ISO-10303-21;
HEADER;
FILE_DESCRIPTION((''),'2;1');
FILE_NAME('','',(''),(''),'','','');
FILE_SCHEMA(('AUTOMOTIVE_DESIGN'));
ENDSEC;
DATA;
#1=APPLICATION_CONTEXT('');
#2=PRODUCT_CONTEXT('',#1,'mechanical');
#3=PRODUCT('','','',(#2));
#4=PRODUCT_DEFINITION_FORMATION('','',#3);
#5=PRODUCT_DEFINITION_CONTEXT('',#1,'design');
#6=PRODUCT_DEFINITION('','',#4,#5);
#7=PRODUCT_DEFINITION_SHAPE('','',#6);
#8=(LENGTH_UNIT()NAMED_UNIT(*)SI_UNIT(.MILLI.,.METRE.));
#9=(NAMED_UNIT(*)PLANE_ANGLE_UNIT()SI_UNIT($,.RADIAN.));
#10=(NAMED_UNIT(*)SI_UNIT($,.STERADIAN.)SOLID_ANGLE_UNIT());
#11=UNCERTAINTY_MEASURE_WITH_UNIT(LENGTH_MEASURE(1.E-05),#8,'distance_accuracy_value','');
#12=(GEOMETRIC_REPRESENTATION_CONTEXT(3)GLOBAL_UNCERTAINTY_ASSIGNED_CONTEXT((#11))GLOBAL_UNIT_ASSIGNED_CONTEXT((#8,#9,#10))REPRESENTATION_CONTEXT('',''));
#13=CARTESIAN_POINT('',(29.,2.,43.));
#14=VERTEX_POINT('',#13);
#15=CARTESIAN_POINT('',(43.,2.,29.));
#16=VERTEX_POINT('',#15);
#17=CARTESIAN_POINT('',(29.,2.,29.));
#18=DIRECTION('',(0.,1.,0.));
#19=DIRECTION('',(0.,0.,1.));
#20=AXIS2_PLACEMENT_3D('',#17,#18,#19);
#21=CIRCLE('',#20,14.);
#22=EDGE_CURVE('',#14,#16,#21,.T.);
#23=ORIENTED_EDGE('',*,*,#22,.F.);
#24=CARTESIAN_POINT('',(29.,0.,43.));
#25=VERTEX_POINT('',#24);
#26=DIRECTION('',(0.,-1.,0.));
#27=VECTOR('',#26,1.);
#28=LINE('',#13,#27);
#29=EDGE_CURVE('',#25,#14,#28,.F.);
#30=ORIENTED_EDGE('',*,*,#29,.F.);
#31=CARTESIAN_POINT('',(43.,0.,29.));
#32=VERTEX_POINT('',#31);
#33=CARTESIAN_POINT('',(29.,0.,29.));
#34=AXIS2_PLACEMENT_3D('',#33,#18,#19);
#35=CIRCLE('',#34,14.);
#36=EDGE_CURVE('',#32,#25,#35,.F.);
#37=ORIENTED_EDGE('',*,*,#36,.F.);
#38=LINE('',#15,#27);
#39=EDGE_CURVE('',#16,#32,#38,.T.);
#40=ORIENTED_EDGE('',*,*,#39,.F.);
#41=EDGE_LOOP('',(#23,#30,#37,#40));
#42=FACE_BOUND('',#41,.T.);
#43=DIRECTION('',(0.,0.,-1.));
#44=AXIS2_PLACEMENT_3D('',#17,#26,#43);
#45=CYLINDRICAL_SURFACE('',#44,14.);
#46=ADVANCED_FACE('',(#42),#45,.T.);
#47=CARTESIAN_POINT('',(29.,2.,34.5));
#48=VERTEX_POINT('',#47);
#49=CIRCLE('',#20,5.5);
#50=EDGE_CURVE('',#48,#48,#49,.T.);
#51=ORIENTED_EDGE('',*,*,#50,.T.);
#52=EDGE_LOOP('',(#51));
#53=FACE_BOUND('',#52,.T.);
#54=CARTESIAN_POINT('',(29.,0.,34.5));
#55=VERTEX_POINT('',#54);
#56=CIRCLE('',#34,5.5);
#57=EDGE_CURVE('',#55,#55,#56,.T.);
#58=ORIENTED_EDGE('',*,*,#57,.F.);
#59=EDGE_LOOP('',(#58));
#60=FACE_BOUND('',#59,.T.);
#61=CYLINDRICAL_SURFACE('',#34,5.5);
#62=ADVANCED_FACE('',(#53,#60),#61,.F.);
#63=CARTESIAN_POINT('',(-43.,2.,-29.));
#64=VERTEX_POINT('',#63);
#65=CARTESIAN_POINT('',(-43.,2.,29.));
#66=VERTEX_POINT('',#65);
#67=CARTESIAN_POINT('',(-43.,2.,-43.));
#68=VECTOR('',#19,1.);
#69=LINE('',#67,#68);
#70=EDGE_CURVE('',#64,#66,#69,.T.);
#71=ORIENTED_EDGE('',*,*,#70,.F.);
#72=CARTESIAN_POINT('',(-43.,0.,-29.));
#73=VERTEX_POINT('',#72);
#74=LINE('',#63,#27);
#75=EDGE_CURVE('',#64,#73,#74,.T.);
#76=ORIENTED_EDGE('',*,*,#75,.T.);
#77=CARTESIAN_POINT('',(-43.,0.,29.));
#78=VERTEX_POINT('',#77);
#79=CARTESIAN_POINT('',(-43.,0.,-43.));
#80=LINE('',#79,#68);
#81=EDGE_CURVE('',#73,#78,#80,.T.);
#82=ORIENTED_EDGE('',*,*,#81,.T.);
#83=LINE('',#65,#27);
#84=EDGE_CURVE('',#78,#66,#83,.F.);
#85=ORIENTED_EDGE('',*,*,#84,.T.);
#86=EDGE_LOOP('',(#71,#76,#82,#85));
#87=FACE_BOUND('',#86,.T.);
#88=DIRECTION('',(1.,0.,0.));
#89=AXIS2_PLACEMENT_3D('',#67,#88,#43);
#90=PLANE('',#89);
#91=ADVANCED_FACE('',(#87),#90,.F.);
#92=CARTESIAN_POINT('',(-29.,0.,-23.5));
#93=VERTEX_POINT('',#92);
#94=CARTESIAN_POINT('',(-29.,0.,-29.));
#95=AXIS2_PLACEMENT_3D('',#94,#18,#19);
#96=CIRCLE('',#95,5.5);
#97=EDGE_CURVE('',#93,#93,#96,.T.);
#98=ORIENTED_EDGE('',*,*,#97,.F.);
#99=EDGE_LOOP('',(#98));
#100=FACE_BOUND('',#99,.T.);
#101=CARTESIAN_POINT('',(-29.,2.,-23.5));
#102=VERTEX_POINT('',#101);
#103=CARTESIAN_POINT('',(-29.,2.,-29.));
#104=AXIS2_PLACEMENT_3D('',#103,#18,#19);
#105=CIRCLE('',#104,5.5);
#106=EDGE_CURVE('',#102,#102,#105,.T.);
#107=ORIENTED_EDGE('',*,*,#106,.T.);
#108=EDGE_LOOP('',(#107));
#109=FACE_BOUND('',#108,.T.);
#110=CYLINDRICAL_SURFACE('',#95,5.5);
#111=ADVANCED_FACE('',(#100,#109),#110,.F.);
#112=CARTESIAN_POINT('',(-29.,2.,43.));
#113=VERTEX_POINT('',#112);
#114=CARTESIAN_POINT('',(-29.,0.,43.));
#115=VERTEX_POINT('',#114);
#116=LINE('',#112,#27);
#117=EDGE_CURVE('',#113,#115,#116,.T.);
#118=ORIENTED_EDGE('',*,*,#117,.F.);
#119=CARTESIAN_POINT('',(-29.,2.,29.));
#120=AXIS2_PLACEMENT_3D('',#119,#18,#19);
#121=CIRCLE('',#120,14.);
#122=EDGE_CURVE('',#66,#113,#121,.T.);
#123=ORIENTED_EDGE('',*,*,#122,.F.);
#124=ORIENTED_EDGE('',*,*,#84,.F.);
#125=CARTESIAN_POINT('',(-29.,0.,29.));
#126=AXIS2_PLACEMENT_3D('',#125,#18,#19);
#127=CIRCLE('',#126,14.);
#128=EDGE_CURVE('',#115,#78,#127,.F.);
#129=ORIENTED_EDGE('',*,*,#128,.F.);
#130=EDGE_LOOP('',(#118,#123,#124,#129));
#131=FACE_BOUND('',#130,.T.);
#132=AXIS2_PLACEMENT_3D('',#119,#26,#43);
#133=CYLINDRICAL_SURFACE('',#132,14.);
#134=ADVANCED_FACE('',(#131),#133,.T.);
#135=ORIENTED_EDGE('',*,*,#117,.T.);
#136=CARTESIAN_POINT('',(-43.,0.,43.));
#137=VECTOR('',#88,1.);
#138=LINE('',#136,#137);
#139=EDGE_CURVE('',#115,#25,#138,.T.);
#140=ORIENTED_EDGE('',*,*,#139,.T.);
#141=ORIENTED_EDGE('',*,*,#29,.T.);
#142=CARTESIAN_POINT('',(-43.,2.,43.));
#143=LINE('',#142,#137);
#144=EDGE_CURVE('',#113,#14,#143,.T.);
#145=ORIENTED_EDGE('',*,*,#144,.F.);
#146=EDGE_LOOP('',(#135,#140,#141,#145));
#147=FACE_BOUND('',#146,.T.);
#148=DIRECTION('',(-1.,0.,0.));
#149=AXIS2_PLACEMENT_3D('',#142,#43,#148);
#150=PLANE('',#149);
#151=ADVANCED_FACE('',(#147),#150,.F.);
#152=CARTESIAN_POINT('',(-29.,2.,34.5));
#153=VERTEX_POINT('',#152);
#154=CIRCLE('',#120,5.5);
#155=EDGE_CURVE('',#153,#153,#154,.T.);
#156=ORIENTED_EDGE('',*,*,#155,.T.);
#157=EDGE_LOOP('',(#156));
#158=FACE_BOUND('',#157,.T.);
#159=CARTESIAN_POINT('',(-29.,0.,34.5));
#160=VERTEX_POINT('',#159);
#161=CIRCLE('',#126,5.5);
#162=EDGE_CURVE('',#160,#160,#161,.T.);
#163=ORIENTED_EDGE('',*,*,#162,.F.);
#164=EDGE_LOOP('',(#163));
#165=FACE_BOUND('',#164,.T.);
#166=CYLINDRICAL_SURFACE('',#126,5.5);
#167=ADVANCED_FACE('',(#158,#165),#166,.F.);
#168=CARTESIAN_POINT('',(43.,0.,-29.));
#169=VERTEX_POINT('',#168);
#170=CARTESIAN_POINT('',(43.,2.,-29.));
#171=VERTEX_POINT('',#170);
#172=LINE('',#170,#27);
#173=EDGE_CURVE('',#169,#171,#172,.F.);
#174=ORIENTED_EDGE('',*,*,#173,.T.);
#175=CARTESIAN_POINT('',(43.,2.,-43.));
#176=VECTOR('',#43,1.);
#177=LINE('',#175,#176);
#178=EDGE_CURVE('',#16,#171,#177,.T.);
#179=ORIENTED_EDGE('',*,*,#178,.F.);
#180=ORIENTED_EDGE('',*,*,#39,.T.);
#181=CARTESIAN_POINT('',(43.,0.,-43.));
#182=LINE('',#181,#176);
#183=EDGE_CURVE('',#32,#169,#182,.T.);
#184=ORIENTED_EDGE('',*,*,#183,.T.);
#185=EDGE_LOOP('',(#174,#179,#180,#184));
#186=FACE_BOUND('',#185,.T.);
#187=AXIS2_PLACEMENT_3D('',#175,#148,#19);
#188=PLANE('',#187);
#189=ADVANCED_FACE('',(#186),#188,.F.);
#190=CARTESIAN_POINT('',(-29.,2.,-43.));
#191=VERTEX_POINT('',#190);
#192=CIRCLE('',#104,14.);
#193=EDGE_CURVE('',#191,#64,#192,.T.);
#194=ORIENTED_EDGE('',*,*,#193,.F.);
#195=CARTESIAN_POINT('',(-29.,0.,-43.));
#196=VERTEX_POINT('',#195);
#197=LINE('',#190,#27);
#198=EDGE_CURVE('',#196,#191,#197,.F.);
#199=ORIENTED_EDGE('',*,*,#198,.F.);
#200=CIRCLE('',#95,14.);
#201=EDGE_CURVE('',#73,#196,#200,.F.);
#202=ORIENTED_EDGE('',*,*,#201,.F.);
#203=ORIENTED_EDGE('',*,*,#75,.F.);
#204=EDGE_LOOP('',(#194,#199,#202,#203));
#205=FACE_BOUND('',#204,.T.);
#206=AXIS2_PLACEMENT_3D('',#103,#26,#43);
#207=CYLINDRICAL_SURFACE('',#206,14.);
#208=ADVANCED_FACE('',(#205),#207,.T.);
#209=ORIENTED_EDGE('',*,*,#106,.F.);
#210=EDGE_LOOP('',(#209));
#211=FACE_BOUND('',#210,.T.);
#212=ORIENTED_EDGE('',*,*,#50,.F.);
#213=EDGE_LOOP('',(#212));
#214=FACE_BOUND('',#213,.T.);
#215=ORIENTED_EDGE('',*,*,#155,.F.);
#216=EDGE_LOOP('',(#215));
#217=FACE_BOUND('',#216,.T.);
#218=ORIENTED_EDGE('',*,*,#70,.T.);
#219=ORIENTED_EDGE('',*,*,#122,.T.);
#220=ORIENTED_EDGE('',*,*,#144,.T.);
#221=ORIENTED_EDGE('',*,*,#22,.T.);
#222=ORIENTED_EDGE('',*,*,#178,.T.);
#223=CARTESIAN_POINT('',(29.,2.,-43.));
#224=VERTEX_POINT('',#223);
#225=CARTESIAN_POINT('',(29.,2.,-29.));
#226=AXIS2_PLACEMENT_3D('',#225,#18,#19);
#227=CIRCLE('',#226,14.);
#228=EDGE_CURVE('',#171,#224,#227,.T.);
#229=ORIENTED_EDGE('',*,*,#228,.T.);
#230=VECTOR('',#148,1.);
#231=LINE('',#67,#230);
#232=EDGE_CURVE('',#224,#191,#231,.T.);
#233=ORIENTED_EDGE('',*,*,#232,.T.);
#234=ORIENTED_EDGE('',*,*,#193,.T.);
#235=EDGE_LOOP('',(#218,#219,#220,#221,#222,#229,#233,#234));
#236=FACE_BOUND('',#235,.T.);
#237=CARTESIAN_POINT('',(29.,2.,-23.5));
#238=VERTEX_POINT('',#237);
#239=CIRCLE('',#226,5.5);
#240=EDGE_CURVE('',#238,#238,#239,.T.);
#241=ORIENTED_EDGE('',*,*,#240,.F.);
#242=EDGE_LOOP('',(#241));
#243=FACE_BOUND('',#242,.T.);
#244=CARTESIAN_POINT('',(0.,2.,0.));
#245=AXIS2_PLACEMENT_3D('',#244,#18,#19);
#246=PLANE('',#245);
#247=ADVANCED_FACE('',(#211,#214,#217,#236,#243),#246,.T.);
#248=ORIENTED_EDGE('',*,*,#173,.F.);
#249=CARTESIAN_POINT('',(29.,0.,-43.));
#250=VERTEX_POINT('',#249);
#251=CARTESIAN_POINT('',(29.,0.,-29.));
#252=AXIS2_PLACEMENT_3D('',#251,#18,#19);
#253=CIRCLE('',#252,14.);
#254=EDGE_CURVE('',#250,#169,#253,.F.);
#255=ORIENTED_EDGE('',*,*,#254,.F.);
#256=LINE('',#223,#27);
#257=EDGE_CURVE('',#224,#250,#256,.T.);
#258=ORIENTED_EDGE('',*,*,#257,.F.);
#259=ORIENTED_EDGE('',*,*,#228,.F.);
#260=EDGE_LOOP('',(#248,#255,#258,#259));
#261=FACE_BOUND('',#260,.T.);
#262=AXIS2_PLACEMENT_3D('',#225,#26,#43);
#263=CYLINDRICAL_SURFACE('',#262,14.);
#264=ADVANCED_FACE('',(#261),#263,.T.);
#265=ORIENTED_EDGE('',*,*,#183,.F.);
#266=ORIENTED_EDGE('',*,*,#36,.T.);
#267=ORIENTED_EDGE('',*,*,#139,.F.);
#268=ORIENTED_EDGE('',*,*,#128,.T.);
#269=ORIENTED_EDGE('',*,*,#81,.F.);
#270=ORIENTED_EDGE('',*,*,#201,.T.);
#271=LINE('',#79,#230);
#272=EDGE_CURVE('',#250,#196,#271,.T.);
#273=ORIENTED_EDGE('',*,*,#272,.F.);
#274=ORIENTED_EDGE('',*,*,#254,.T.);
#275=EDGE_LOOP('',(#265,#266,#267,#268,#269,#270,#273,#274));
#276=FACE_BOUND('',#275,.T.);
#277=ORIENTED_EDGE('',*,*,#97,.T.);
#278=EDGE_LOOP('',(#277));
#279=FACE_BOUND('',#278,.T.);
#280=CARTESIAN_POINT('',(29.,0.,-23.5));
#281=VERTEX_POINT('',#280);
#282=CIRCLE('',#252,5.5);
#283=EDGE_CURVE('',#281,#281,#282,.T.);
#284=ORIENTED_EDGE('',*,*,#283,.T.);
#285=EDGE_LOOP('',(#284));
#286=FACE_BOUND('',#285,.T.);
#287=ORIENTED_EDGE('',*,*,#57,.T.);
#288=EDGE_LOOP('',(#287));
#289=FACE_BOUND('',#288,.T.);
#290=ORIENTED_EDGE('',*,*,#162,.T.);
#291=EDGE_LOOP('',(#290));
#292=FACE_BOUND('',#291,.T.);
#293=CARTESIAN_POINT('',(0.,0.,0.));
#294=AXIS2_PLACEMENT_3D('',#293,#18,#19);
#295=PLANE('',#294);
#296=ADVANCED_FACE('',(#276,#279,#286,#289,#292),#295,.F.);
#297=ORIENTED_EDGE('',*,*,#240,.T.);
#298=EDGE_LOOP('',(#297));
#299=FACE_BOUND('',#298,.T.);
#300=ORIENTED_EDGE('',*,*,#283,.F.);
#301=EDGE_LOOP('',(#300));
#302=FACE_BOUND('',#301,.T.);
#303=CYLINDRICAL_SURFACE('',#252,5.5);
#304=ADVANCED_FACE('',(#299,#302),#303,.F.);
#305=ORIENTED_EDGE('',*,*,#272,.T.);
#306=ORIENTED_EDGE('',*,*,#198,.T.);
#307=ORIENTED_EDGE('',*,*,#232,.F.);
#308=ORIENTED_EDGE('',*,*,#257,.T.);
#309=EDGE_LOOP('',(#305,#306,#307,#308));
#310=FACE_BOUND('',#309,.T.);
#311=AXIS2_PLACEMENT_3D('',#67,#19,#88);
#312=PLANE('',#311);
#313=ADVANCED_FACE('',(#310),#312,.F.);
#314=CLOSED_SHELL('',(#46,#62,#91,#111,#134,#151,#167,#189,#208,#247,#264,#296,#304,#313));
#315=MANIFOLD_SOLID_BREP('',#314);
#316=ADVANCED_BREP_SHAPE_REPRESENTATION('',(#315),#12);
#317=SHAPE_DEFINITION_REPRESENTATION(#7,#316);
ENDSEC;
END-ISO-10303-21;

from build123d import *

# Parameters (mm, degrees)
SKETCH_1_W               = 86
SKETCH_1_H               = 86
EXTRUDE_1_DEPTH          = 2
FILLET_3_R               = 14
CUT_EXTRUDE_1_DEPTH      = 61.844062981
CUT_EXTRUDE_1_DEPTH_BACK = 61.844062981
SKETCH_2_R               = 5.5


with BuildPart() as part:
    # 草图1 → 凸台-拉伸1 (new body)
    with BuildSketch(Plane(origin=(0, 0, 0), x_dir=(1, 0, 0), z_dir=(0, 1, 0))):
        Rectangle(SKETCH_1_W, SKETCH_1_H)
    extrude(amount=EXTRUDE_1_DEPTH)

    # 圆角3
    fillet_3_edges = [part.edges().sort_by_distance(p)[0] for p in [
        (43, 1, 43),
        (-43, 1, 43),
        (-43, 1, -43),
        (43, 1, -43),
    ]]
    fillet(fillet_3_edges, radius=FILLET_3_R)

    # 草图2 → 切除-拉伸1 (cut, two sides: drawn at the far end of the back side and taken through both)
    with BuildSketch(Plane(origin=(0, 2, 0), x_dir=(1, 0, 0), z_dir=(0, 1, 0)).offset(-CUT_EXTRUDE_1_DEPTH_BACK)):
        with Locations(Location((-29, 29, 0), (0, 0, 270))):
            Circle(SKETCH_2_R)
        with Locations(Location((-29, -29, 0), (0, 0, 270))):
            Circle(SKETCH_2_R)
        with Locations(Location((29, -29, 0), (0, 0, 270))):
            Circle(SKETCH_2_R)
        with Locations(Location((29, 29, 0), (0, 0, 270))):
            Circle(SKETCH_2_R)
    extrude(amount=CUT_EXTRUDE_1_DEPTH + CUT_EXTRUDE_1_DEPTH_BACK, mode=Mode.SUBTRACT)


solid = part.part
